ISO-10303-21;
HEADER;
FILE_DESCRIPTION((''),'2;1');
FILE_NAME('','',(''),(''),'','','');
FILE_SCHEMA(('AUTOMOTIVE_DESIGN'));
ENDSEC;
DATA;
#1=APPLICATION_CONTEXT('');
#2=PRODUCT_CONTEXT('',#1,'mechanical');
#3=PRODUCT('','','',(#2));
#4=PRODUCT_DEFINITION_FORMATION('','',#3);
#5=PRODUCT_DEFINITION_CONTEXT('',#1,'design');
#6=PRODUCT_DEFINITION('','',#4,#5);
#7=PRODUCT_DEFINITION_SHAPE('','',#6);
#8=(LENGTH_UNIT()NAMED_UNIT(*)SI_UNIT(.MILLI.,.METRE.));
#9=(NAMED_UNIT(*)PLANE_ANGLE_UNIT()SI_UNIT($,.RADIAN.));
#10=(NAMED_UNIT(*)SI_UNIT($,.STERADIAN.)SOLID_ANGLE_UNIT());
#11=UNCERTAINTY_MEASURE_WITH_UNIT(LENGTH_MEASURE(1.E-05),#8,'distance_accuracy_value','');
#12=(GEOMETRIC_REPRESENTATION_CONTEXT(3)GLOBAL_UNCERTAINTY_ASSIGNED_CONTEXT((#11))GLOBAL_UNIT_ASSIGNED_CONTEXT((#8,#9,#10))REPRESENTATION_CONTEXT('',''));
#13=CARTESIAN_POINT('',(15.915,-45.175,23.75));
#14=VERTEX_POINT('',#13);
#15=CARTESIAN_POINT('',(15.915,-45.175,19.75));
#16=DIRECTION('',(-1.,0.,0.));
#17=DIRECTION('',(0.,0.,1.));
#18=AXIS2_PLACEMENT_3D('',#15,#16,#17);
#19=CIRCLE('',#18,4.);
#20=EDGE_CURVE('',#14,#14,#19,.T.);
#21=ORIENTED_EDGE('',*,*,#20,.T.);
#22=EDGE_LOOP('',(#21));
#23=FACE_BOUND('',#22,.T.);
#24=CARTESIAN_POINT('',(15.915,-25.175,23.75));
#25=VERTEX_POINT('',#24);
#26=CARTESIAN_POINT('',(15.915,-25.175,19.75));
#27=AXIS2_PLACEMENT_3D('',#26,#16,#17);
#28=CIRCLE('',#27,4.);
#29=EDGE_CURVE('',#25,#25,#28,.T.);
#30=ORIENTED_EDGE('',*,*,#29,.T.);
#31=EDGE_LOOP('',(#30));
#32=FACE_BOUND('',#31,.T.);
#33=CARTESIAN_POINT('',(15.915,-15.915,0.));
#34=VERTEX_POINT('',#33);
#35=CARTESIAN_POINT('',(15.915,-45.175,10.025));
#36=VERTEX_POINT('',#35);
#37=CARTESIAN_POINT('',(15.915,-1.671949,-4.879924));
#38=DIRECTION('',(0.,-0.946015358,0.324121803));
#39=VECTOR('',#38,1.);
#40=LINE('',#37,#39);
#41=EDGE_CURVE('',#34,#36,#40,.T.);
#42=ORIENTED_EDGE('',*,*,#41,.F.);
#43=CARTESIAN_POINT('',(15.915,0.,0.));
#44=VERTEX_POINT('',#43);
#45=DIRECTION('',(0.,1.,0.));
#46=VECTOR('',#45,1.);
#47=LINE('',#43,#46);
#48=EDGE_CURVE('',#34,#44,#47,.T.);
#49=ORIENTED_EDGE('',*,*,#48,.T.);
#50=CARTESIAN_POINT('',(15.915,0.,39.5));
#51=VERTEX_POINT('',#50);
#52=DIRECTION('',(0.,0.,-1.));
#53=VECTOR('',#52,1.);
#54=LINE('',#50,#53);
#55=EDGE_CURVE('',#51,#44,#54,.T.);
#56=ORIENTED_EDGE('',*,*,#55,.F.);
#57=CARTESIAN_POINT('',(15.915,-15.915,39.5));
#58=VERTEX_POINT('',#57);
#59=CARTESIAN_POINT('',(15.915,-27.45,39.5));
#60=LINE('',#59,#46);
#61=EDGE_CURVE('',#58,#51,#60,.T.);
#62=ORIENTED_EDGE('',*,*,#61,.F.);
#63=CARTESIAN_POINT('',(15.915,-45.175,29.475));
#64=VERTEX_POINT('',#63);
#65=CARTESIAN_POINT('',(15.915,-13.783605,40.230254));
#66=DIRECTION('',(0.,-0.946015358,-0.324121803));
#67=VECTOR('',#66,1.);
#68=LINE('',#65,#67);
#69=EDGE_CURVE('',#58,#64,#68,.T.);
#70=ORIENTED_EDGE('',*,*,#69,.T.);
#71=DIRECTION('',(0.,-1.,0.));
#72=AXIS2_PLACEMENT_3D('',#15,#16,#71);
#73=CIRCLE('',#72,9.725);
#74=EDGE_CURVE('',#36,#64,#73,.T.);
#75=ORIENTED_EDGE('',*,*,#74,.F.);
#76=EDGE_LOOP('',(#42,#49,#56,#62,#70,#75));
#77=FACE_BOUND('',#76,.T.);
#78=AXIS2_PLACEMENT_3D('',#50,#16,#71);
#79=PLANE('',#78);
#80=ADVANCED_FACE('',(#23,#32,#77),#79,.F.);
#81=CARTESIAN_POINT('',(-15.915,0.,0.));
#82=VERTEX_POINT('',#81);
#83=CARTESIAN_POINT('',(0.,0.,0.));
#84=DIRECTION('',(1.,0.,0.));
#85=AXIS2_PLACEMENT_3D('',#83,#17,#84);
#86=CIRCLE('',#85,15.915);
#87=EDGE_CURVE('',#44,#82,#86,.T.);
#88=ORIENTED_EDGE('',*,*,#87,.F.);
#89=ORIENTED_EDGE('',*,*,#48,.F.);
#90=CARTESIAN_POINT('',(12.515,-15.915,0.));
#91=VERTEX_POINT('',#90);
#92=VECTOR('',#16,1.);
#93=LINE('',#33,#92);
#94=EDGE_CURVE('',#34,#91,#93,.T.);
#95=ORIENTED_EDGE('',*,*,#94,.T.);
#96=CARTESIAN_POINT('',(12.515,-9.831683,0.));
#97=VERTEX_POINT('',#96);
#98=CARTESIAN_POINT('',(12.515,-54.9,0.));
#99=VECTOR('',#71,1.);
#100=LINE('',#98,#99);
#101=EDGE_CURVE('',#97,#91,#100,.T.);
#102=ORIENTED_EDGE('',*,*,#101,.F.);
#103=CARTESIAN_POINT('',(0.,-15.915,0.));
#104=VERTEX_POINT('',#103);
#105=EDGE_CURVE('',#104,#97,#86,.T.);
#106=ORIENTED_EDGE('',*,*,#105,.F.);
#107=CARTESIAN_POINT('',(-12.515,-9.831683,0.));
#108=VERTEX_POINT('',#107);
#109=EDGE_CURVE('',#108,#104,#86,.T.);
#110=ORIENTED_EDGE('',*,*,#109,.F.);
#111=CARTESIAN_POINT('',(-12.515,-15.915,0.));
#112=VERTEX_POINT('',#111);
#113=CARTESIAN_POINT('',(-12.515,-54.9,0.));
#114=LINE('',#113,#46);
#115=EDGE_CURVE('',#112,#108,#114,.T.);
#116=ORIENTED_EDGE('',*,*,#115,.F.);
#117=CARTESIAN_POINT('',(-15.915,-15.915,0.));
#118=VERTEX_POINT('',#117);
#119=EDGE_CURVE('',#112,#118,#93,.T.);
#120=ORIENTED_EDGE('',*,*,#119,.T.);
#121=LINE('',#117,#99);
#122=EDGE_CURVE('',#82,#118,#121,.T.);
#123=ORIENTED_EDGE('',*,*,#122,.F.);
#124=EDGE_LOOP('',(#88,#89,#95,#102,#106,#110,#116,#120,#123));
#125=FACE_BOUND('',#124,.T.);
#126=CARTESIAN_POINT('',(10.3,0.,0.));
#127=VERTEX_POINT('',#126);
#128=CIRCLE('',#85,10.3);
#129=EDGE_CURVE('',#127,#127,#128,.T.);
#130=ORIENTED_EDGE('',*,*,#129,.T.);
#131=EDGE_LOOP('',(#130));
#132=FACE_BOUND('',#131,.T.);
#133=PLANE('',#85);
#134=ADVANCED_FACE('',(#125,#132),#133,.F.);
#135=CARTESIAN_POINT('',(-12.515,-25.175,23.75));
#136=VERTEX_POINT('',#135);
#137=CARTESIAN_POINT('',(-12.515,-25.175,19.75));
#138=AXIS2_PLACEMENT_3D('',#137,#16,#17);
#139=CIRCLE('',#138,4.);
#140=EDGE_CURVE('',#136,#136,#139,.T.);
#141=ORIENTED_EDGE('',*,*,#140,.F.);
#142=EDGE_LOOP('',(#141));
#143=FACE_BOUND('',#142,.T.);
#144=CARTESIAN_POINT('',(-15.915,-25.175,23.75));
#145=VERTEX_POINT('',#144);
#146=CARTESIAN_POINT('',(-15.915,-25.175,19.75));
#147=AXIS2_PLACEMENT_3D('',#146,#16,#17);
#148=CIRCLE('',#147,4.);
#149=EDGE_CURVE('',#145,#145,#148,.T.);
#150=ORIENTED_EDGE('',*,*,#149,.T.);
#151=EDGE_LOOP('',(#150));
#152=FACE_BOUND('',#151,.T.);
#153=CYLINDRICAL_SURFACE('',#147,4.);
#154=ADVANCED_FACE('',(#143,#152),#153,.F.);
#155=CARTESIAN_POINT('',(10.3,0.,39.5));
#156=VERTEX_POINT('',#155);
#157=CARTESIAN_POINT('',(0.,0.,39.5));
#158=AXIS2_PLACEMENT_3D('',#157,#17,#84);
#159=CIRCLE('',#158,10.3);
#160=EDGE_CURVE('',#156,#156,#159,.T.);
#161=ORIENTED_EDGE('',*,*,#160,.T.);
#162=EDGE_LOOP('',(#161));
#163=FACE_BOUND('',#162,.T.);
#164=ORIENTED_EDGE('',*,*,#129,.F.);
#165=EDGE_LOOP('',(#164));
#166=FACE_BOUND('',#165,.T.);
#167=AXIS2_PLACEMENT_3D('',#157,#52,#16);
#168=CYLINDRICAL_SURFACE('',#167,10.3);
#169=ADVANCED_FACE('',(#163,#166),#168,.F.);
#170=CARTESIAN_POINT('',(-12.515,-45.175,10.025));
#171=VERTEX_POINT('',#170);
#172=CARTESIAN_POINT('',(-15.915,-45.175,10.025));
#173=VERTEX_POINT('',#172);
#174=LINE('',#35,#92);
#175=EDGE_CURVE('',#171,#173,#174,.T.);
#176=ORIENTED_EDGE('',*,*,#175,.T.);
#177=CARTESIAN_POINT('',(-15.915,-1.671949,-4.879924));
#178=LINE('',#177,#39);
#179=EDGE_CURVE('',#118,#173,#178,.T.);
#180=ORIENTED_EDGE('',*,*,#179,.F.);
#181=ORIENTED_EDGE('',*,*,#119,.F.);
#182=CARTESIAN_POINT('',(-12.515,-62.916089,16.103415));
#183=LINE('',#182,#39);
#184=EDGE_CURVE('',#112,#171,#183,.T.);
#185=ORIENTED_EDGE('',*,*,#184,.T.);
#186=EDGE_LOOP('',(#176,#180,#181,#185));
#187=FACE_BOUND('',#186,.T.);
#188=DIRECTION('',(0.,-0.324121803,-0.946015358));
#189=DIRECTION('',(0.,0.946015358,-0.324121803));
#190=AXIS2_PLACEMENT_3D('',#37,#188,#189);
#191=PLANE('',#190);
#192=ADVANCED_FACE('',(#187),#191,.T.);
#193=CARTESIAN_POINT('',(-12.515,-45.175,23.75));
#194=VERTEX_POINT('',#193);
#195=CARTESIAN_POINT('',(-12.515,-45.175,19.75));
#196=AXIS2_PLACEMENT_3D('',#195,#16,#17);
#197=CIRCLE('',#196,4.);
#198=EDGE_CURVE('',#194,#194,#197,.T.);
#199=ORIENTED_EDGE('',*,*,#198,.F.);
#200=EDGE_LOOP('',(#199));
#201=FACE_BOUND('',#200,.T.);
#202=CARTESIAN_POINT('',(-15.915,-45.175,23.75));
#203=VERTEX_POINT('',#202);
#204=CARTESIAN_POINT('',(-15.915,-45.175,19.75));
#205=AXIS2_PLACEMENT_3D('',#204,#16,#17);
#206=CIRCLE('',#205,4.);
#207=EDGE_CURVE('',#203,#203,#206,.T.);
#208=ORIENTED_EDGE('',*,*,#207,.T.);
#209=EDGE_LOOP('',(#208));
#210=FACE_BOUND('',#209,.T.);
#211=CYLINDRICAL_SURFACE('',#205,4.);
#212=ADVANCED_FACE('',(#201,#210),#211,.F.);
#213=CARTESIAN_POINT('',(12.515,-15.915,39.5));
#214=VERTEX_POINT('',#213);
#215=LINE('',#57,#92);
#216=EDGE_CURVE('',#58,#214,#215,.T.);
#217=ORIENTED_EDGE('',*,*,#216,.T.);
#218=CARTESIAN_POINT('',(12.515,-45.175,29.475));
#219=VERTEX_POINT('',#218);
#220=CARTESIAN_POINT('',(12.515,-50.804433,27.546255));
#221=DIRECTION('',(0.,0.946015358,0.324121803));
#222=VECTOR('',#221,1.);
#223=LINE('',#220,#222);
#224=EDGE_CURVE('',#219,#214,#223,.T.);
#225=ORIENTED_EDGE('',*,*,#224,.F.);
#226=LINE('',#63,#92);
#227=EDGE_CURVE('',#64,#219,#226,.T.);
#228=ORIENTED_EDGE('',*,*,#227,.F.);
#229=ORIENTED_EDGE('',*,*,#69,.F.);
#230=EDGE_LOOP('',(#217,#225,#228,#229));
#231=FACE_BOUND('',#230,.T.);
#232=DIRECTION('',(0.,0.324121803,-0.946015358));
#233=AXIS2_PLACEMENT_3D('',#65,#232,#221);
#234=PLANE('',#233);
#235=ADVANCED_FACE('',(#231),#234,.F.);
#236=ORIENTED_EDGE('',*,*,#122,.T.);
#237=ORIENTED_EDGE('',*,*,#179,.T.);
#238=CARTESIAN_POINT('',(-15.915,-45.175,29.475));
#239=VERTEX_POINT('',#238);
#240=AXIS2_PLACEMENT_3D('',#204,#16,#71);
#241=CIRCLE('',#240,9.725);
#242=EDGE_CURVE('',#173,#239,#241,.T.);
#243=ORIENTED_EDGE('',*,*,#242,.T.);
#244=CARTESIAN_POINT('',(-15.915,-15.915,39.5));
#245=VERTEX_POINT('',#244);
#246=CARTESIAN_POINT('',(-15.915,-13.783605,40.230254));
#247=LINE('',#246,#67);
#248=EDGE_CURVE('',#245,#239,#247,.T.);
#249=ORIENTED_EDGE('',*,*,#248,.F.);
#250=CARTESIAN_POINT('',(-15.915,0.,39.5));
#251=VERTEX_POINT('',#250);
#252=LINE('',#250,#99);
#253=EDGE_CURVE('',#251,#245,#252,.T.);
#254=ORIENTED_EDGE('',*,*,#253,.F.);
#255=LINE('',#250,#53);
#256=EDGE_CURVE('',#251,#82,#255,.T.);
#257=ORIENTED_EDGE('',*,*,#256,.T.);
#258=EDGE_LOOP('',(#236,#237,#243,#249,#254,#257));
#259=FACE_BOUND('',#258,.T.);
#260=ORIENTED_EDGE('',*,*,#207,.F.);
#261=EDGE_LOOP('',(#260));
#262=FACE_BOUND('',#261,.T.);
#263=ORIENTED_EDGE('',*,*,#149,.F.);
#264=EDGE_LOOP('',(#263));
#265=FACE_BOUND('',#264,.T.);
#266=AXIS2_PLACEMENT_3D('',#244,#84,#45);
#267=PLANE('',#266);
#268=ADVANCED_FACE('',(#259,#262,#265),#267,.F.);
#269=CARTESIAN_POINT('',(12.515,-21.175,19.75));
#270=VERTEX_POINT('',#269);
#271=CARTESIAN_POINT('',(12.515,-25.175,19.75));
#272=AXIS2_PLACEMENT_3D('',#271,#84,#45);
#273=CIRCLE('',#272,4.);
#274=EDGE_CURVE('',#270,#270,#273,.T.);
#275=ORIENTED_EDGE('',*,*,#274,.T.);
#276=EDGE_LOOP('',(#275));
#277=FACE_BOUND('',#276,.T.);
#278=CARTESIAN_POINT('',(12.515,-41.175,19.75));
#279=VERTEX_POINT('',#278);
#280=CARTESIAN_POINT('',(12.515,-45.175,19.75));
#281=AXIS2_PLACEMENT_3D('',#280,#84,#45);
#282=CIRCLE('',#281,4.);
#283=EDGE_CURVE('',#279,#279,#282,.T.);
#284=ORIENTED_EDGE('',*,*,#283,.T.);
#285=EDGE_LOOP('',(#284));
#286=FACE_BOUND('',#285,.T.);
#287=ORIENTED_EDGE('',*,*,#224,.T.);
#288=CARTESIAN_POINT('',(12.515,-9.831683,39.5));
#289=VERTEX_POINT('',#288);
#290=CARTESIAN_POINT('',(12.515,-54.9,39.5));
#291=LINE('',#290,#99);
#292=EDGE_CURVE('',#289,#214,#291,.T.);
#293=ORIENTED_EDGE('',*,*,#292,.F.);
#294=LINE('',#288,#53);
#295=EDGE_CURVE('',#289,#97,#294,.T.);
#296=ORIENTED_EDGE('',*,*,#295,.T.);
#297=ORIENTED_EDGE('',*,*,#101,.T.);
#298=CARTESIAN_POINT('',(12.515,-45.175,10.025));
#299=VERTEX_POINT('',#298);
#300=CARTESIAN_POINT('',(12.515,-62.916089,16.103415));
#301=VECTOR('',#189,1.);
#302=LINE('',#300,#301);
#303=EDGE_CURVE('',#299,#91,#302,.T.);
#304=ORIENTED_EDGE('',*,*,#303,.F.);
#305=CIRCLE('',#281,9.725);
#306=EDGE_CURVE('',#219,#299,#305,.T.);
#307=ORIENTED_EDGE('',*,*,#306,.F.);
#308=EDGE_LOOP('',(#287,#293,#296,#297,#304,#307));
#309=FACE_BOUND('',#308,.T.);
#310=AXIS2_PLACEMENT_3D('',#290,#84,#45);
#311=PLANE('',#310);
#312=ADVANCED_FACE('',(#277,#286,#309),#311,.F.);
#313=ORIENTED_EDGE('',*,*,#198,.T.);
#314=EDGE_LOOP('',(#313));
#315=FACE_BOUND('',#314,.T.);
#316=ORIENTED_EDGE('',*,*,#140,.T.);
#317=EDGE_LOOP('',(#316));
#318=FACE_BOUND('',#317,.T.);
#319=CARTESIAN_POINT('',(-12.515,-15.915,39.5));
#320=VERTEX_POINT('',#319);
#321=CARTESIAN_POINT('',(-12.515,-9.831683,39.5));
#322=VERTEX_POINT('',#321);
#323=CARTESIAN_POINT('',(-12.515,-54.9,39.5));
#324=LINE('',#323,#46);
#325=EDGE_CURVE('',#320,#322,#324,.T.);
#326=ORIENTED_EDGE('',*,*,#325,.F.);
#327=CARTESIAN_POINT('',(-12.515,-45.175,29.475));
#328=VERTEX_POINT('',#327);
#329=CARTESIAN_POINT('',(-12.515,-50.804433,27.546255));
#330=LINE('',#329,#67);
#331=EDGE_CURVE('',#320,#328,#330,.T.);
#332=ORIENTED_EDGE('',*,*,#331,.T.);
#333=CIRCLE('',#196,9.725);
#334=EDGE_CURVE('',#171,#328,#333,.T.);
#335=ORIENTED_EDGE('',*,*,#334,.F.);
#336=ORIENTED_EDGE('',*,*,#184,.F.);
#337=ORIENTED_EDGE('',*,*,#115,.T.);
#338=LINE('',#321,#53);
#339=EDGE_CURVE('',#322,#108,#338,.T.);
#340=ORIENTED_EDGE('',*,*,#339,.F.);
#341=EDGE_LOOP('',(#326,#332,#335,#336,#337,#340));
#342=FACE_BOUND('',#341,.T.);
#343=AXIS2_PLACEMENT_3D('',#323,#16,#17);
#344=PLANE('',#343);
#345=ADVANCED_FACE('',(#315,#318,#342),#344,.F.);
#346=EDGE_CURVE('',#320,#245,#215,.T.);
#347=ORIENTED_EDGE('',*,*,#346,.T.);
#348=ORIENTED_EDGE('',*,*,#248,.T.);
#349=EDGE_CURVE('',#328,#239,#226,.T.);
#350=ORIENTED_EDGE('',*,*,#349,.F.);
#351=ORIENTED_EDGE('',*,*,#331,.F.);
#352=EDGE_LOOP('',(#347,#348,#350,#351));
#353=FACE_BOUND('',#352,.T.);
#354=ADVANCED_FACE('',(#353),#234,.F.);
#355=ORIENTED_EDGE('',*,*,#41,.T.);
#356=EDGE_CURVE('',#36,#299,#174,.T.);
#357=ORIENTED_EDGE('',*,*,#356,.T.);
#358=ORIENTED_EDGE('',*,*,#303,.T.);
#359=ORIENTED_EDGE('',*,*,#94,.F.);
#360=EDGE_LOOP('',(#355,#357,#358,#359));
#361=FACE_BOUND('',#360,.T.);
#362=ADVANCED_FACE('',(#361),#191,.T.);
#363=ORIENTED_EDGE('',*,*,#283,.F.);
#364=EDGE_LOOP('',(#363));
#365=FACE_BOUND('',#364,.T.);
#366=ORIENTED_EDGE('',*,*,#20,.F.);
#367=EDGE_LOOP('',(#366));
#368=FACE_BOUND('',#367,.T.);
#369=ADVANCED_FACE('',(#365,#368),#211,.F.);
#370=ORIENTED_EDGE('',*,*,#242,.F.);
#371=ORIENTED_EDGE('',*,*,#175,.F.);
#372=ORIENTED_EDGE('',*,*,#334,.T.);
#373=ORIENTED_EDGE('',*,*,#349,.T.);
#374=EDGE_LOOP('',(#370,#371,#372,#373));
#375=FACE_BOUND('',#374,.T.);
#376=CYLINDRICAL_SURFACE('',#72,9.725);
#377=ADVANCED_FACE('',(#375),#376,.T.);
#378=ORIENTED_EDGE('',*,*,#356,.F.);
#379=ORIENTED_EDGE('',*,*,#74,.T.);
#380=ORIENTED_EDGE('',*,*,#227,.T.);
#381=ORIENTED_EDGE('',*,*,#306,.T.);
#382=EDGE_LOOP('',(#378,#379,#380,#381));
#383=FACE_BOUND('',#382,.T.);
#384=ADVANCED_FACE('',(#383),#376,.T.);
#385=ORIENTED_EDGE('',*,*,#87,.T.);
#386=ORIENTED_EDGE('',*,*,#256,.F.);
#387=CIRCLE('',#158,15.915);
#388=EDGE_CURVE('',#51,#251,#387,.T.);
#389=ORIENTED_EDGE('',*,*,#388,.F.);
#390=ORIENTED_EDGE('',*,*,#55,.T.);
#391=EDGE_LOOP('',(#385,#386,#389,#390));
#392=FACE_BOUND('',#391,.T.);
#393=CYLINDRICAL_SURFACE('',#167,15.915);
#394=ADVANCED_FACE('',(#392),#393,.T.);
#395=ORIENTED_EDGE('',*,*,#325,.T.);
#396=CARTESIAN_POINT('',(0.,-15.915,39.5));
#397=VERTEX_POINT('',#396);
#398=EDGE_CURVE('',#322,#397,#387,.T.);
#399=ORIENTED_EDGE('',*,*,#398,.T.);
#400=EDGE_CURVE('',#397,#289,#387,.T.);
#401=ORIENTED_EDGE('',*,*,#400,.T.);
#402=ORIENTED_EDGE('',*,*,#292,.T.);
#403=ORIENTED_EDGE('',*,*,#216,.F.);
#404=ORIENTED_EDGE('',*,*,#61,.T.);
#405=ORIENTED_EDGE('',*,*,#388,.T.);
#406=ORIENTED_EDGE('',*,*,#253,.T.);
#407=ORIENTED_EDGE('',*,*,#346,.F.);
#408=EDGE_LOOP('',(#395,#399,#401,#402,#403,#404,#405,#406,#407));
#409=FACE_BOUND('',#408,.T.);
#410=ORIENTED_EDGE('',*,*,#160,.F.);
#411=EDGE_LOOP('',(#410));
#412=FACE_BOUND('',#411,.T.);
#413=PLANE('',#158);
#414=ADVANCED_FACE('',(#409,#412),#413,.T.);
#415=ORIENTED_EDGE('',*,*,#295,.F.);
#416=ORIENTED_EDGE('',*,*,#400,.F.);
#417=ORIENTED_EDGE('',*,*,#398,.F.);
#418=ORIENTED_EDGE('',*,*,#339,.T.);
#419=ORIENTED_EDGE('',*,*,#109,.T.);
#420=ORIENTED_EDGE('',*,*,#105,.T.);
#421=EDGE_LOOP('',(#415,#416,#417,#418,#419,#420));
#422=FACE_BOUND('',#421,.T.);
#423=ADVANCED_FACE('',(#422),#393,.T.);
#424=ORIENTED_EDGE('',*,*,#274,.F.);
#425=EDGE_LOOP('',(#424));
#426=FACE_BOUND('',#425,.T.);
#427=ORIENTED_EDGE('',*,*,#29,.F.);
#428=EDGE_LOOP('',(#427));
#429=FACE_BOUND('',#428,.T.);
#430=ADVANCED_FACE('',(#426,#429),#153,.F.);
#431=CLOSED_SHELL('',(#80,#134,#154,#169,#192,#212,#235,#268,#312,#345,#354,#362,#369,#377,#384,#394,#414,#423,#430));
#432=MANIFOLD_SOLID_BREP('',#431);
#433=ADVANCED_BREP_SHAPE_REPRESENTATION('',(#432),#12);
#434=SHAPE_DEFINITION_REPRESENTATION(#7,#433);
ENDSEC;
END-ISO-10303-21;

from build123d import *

# Parameters (mm, degrees)
SKETCH2_R            = 10.3
BOSS_EXTRUDE1_DEPTH  = 39.5
CUT_EXTRUDE1_DEPTH   = 32.83
M7_CLEARANCE_HOLE1_D = 8


with BuildPart() as part:
    # Sketch2 → Boss-Extrude1 (new body)
    with BuildSketch(Plane.XY):
        with BuildLine():
            Line((-15.915, 0), (-15.915, -15.915))
            Line((-15.915, -15.915), (-15.915, -54.9))
            Line((-15.915, -54.9), (-12.515, -54.9))
            Line((-12.515, -54.9), (-12.515, -9.831683477))
            ThreePointArc((-12.515, -9.831683477), (0, -15.915), (12.515, -9.831683477))
            Line((12.515, -9.831683477), (12.515, -54.9))
            Line((12.515, -54.9), (15.915, -54.9))
            Line((15.915, -54.9), (15.915, -27.45))
            Line((15.915, -27.45), (15.915, 0))
            ThreePointArc((15.915, 0), (0, 15.915), (-15.915, 0))
        make_face()
        Circle(SKETCH2_R, mode=Mode.SUBTRACT)
    extrude(amount=BOSS_EXTRUDE1_DEPTH)

    # Sketch3 → Cut-Extrude1 (cut, through all)
    with BuildSketch(Plane.ZY.offset(15.915)):
        with BuildLine():
            ThreePointArc((19.75, -54.9), (12.873386553, -52.051613447), (10.025, -45.175))
            Line((10.025, -45.175), (0, -15.915))
            Line((0, -15.915), (0, -54.9))
            Line((0, -54.9), (19.75, -54.9))
        make_face()
        with BuildLine():
            Line((39.5, -15.915), (29.475, -45.175))
            ThreePointArc((29.475, -45.175), (26.626613447, -52.051613447), (19.75, -54.9))
            Line((19.75, -54.9), (39.5, -54.9))
            Line((39.5, -54.9), (39.5, -15.915))
        make_face()
    extrude(amount=-CUT_EXTRUDE1_DEPTH, mode=Mode.SUBTRACT)

    # M7 Clearance Hole1 (through all)
    with Locations(Plane.ZY.offset(15.915)):
        with Locations((19.75, -45.175), (19.75, -25.175)):
            Hole(M7_CLEARANCE_HOLE1_D / 2)


solid = part.part
